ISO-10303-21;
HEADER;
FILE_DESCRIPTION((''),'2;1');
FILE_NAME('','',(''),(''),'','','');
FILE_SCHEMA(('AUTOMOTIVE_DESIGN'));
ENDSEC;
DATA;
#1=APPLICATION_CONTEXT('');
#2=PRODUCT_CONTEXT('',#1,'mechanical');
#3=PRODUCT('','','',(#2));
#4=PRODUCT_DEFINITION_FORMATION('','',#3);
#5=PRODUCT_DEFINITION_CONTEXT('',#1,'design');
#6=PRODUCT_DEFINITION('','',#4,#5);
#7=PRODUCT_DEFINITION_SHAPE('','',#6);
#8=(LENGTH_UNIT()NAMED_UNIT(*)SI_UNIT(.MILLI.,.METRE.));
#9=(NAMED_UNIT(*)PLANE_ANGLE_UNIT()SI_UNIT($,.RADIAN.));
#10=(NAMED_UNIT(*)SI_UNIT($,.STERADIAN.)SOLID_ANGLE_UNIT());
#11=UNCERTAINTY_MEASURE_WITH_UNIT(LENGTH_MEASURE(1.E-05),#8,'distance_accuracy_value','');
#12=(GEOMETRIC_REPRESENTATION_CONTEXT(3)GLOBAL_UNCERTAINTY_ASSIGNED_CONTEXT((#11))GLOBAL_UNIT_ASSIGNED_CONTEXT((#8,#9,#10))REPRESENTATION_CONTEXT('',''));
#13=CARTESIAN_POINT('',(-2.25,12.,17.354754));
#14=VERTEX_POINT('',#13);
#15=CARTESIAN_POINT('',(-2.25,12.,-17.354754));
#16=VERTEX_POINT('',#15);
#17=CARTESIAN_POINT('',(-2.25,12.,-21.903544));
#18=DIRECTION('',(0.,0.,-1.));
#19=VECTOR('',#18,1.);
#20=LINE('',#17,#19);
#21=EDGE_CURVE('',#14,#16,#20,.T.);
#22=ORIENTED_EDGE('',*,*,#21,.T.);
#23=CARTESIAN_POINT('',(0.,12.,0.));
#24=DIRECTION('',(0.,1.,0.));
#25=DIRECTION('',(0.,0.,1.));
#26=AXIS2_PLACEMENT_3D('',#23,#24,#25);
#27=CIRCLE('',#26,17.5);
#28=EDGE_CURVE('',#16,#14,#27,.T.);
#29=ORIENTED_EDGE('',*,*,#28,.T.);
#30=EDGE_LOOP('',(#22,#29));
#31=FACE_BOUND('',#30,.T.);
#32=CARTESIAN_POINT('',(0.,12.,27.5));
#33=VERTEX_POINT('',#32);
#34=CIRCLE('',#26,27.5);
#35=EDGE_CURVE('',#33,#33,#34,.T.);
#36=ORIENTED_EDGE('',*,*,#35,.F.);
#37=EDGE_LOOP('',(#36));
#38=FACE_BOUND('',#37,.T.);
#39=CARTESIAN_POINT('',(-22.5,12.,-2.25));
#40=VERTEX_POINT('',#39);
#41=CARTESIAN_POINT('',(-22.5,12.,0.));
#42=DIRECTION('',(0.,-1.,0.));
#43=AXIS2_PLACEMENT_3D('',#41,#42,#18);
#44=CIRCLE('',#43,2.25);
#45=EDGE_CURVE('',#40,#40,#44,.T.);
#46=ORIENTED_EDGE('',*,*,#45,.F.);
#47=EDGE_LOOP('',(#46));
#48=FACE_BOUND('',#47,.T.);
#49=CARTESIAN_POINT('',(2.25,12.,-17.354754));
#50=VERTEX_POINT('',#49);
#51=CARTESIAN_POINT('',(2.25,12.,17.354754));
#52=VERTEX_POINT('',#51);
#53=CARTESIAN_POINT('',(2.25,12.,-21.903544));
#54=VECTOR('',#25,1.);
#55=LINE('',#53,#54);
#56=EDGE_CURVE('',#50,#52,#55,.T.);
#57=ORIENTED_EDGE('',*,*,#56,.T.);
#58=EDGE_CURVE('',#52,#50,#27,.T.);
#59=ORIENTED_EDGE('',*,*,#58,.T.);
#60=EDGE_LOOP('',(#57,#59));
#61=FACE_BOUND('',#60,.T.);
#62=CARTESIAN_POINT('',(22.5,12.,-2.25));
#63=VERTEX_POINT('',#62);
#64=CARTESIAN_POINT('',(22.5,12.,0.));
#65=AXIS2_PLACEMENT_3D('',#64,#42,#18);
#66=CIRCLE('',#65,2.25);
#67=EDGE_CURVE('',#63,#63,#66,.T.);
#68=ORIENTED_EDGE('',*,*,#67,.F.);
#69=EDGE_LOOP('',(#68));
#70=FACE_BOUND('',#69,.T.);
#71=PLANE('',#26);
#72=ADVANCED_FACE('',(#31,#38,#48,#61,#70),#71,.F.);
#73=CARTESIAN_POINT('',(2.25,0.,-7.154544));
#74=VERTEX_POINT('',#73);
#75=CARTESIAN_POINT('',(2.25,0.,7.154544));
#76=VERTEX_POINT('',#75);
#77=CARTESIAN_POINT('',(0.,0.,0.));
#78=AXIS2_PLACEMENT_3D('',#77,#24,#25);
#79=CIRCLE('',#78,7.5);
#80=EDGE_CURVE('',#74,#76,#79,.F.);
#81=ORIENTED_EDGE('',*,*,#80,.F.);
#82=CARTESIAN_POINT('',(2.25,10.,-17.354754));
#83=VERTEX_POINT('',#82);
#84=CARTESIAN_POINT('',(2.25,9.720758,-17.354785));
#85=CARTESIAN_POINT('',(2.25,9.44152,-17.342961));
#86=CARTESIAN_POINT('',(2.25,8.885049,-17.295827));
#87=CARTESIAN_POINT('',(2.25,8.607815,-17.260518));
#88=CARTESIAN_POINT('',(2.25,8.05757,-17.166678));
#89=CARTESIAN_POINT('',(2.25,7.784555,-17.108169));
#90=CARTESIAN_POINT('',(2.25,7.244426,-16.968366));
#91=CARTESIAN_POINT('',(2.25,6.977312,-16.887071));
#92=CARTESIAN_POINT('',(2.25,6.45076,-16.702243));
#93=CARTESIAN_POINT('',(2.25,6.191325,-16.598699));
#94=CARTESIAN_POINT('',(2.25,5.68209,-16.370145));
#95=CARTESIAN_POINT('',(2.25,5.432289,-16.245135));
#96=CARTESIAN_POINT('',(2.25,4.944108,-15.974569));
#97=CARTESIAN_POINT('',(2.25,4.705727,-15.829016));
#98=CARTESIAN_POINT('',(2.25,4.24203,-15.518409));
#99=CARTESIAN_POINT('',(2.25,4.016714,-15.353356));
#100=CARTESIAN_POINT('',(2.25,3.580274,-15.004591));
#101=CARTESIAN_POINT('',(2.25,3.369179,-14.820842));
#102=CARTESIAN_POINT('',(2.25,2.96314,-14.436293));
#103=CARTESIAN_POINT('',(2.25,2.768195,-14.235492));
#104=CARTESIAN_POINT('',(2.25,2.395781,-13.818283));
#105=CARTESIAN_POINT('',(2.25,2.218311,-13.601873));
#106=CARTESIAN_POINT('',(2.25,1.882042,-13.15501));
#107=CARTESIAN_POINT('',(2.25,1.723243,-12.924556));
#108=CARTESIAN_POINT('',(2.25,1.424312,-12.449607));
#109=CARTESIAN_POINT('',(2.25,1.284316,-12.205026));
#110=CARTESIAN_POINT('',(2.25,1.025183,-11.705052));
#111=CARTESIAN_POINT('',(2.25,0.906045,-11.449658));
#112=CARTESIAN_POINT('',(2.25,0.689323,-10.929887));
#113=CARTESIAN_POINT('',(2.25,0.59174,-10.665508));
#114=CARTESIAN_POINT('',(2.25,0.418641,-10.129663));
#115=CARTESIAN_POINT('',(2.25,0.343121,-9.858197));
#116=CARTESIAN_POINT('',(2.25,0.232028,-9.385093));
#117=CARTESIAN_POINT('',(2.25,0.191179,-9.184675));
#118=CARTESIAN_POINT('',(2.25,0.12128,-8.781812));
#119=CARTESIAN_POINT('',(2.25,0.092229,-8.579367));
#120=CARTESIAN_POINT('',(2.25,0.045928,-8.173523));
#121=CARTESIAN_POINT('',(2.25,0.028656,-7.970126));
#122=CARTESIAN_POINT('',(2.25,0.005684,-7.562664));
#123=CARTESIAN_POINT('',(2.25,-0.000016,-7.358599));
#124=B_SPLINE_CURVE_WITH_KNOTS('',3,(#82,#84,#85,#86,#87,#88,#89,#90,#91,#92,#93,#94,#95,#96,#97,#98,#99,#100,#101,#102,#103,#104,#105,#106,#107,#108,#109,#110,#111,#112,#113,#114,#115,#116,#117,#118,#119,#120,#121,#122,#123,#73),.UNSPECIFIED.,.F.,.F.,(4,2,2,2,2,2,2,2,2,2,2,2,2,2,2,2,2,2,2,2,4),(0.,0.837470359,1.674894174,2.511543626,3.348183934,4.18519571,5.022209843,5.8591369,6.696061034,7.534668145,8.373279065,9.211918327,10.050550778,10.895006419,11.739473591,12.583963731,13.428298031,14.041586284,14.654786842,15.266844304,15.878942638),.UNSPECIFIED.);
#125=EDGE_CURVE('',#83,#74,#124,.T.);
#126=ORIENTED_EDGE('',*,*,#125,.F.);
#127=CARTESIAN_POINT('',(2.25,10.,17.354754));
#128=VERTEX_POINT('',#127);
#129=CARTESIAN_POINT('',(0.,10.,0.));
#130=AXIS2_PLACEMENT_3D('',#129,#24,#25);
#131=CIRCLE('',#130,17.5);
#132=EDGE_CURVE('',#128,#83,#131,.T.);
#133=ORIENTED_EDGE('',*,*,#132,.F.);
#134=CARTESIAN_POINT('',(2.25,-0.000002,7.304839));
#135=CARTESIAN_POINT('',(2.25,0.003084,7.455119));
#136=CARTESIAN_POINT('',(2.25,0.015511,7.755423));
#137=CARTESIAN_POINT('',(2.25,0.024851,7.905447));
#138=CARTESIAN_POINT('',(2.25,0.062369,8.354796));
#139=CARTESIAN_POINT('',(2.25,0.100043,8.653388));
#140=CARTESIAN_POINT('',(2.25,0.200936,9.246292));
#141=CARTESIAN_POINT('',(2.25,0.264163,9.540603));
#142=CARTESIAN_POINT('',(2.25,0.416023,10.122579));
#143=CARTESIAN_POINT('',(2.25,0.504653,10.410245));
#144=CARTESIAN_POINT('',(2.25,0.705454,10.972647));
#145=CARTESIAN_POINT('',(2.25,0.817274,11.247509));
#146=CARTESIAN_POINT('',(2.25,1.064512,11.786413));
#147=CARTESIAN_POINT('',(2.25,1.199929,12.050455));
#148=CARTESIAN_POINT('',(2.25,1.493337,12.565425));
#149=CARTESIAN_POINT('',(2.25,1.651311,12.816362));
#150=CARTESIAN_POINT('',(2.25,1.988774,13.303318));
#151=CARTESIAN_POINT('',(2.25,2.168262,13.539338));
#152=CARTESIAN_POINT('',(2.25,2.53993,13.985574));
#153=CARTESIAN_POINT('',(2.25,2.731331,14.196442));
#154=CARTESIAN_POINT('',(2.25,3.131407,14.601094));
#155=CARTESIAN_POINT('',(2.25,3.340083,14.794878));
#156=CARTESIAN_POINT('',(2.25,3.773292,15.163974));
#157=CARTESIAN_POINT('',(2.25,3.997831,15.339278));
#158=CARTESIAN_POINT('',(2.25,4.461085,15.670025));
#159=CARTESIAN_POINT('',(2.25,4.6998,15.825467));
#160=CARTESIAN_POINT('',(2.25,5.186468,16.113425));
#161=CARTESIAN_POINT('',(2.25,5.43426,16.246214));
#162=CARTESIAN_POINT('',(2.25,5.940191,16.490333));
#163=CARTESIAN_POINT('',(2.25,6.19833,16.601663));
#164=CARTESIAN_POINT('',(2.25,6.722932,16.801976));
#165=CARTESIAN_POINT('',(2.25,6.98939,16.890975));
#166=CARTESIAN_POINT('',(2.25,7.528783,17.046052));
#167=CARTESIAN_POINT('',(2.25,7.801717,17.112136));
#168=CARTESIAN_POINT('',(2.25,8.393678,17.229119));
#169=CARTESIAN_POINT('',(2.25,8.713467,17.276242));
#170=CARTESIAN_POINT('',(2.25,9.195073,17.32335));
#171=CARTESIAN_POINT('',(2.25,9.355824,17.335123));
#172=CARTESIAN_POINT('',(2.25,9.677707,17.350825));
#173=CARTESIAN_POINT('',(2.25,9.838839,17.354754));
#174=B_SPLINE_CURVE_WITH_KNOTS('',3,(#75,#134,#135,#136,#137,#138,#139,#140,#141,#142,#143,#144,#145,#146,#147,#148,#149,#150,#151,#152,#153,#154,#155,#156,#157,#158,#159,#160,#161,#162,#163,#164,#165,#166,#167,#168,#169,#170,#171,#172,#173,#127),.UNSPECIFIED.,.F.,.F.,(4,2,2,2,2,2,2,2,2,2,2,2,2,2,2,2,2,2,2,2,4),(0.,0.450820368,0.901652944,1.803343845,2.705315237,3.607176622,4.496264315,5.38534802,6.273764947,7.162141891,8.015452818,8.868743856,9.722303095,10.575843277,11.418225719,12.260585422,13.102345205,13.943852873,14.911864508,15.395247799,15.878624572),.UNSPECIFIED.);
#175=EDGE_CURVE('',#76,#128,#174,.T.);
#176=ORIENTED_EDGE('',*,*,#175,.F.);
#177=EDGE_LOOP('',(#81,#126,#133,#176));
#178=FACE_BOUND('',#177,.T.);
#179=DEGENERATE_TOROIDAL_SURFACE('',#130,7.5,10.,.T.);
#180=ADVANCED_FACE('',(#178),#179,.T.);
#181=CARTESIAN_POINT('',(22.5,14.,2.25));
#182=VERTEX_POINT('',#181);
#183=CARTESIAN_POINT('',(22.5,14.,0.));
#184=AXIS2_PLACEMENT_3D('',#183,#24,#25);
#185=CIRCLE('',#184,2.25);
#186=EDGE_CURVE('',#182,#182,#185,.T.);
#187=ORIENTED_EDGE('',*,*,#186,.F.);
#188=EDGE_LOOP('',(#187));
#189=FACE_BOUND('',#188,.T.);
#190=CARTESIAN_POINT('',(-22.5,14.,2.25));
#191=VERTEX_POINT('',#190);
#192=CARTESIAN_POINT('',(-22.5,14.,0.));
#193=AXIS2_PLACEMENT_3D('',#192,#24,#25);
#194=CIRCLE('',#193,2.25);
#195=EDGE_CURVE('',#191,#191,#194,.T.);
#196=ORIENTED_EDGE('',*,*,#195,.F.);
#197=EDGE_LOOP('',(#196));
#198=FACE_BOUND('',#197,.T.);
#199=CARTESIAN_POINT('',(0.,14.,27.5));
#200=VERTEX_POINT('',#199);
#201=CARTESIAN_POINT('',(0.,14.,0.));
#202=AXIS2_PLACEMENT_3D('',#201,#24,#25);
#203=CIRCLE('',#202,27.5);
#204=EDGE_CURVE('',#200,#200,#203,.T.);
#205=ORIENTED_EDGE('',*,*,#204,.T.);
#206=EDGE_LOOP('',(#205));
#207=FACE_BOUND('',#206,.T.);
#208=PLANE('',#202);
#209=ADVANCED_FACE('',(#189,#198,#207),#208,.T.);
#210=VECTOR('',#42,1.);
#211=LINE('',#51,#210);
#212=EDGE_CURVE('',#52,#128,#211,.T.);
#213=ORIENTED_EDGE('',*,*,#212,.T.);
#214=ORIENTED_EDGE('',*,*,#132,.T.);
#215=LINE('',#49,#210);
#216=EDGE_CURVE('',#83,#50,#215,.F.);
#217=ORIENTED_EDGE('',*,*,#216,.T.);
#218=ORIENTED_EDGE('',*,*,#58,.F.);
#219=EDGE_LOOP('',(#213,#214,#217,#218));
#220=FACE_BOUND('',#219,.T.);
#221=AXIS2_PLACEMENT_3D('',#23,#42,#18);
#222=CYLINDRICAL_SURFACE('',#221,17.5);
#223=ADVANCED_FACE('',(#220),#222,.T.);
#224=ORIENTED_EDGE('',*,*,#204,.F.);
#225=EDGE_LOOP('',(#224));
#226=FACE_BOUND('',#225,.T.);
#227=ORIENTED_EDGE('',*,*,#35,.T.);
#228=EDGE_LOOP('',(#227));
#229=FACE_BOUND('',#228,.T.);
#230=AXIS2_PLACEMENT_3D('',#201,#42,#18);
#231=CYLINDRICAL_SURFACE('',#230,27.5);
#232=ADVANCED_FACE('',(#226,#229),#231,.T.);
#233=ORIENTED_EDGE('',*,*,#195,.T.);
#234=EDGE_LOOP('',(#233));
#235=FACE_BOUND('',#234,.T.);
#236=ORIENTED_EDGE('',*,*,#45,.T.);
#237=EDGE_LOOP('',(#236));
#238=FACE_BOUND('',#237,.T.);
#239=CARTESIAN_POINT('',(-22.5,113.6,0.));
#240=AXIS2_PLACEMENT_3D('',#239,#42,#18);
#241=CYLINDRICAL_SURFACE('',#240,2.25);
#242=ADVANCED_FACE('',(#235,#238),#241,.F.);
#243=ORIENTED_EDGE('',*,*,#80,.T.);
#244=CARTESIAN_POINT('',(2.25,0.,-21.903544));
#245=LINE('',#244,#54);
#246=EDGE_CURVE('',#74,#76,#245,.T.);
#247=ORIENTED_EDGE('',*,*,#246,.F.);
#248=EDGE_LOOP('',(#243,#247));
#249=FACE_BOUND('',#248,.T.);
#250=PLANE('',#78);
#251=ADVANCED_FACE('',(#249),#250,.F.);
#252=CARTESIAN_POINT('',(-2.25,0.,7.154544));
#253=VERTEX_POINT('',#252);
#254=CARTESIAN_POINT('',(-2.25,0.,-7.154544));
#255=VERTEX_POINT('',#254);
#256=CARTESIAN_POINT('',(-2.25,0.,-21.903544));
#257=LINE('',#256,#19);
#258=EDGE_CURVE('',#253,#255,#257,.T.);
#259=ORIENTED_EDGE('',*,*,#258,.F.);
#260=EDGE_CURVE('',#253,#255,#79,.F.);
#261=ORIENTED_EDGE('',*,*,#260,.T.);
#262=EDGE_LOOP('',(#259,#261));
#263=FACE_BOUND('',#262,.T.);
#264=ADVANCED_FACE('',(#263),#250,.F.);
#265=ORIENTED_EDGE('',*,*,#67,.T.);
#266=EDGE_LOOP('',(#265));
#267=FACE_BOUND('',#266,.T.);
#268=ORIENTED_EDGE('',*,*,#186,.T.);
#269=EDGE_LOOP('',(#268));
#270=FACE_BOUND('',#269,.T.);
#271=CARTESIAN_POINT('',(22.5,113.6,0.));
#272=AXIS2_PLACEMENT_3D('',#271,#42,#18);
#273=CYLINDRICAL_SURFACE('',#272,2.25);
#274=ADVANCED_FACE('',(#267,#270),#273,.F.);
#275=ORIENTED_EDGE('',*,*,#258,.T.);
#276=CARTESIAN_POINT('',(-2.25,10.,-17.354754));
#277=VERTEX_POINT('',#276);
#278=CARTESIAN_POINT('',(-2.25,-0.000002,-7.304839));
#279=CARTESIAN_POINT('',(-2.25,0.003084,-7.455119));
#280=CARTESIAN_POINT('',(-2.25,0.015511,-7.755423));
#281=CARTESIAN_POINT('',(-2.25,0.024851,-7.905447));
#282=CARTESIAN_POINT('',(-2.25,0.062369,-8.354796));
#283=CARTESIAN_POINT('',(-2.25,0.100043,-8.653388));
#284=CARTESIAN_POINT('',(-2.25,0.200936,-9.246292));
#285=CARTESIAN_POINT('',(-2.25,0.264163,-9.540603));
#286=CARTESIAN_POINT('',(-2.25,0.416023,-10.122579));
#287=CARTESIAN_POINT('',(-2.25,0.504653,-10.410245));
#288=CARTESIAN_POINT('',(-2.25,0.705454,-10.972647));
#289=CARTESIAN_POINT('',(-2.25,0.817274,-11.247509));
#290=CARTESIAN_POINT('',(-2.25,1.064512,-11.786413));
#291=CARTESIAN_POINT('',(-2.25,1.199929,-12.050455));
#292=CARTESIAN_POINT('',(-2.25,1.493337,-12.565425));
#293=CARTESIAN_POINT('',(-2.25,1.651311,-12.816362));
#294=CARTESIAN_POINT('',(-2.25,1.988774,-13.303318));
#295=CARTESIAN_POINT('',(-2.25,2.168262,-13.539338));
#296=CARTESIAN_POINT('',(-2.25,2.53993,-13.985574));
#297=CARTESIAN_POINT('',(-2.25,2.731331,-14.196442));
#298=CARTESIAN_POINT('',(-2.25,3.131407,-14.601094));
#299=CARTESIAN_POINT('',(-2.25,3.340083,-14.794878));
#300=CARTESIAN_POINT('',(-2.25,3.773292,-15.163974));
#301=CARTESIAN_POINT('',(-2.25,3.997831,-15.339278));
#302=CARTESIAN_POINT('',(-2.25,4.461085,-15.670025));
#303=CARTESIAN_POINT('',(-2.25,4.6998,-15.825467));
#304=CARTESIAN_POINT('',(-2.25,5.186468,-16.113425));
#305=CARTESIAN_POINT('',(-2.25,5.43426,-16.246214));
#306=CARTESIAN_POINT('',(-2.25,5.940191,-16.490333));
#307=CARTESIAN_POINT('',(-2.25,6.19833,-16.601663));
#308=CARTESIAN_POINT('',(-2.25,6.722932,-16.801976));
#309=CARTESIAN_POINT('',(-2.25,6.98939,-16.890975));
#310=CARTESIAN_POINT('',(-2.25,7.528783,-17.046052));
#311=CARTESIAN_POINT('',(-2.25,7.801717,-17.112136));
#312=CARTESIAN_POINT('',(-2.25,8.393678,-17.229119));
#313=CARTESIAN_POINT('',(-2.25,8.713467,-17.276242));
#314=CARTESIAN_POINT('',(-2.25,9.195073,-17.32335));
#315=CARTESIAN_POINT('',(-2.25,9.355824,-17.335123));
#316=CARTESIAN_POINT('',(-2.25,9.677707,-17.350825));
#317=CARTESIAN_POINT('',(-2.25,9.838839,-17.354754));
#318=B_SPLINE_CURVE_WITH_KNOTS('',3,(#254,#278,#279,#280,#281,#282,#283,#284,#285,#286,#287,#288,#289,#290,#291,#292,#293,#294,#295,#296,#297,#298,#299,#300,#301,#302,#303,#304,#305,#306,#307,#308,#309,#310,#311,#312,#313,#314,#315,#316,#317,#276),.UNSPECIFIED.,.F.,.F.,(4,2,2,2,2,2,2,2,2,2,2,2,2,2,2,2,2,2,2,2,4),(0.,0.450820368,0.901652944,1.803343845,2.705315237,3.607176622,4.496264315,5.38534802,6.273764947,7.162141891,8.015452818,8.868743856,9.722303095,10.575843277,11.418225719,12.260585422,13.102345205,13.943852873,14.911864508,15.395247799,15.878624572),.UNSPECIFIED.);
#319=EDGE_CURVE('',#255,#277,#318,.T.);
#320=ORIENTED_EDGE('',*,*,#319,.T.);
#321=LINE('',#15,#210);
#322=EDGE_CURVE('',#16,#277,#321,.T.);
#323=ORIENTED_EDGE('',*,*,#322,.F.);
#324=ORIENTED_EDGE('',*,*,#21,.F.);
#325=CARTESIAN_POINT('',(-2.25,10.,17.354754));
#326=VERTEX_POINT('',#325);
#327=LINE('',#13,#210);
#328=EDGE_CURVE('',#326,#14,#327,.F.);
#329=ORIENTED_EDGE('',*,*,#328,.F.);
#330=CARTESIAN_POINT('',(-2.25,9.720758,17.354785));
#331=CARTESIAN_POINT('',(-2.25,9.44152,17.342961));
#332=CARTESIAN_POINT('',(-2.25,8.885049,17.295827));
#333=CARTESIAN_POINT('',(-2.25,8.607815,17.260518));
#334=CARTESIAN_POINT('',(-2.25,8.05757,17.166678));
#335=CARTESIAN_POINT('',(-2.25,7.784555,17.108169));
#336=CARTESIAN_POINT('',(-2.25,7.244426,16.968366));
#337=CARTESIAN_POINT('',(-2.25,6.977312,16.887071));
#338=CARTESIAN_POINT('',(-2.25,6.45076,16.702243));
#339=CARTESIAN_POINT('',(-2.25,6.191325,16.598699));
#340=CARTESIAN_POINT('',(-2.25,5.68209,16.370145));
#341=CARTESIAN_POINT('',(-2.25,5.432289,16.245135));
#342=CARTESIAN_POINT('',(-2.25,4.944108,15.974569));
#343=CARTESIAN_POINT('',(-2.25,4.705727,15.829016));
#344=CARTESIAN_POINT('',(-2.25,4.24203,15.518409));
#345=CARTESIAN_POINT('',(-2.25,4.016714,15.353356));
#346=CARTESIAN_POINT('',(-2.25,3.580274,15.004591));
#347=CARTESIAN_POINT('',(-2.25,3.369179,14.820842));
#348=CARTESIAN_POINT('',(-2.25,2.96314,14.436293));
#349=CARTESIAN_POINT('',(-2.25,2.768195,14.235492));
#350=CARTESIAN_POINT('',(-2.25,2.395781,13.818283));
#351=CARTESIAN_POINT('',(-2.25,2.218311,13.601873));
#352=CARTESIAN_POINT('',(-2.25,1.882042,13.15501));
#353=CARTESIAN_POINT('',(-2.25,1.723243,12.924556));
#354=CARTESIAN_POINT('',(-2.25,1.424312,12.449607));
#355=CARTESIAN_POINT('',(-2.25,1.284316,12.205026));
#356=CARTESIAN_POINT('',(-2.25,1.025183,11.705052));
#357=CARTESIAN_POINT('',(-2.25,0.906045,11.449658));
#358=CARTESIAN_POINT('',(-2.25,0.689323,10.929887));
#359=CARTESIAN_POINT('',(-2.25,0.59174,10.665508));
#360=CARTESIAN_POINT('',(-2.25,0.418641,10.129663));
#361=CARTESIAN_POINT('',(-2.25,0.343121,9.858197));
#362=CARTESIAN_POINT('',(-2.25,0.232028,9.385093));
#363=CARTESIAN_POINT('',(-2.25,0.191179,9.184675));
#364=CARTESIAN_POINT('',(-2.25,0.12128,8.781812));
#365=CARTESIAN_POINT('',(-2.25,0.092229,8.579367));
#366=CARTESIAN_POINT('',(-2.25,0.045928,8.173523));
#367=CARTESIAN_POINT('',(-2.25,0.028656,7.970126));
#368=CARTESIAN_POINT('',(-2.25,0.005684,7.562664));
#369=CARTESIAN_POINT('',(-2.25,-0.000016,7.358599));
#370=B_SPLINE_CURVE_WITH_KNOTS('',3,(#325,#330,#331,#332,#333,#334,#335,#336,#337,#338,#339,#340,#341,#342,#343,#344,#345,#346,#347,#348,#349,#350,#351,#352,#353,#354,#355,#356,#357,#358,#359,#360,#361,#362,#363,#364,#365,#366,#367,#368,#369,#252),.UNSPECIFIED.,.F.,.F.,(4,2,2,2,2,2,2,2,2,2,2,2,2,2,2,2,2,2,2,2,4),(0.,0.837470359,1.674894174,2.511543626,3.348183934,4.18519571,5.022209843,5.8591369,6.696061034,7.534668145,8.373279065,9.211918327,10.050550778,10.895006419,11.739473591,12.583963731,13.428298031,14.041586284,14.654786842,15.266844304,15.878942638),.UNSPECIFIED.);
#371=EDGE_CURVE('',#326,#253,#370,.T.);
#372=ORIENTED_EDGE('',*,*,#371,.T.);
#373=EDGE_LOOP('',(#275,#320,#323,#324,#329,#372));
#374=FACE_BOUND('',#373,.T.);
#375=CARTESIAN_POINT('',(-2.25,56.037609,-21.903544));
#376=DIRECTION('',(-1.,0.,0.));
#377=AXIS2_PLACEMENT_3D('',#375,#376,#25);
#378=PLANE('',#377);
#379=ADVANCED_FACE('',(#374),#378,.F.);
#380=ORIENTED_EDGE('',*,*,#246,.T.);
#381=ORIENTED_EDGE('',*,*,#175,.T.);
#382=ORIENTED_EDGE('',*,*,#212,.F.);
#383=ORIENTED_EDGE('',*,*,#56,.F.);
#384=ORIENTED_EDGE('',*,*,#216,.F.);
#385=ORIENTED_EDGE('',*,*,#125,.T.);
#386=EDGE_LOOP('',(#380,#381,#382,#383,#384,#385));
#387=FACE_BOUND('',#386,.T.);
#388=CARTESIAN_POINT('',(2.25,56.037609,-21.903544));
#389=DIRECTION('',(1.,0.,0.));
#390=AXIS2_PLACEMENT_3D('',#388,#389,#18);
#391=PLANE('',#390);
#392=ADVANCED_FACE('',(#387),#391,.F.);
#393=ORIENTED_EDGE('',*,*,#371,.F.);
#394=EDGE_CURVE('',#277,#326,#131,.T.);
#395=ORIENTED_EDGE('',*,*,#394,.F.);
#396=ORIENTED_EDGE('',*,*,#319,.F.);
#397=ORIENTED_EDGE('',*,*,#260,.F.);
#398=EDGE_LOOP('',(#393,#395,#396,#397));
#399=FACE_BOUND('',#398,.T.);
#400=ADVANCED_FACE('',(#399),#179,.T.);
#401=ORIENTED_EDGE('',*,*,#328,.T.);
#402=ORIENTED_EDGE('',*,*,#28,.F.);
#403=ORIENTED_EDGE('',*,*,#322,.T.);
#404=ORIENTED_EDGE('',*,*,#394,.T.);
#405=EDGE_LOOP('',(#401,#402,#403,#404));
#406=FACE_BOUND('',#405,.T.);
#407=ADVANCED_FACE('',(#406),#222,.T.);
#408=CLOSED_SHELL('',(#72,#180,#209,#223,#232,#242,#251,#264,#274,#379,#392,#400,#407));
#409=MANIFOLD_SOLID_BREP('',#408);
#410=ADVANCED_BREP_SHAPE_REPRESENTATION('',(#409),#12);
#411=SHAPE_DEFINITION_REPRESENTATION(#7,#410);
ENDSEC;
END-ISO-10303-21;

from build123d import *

# Parameters (mm, degrees)
SKETCH1_R           = 17.5
BOSS_EXTRUDE1_DEPTH = 12
SKETCH2_R           = 27.5
BOSS_EXTRUDE2_DEPTH = 2
SKETCH3_W           = 4.5
SKETCH3_H           = 43.807088702
CUT_EXTRUDE2_DEPTH  = 12
FILLET1_R           = 10
SKETCH4_R           = 2.25
CUT_EXTRUDE3_DEPTH  = 101.6


with BuildPart() as part:
    # Sketch1 → Boss-Extrude1 (new body)
    with BuildSketch(Plane(origin=(0, 0, 0), x_dir=(1, 0, 0), z_dir=(0, 1, 0))):
        with Locations(Location((0, 0, 0), (0, 0, 270))):
            Circle(SKETCH1_R)
    extrude(amount=BOSS_EXTRUDE1_DEPTH)

    # Sketch2 → Boss-Extrude2 (add)
    with BuildSketch(Plane(origin=(0, 12, 0), x_dir=(1, 0, 0), z_dir=(0, 1, 0))):
        with Locations(Location((0, 0, 0), (0, 0, 270))):
            Circle(SKETCH2_R)
    extrude(amount=BOSS_EXTRUDE2_DEPTH)

    # Sketch3 → Cut-Extrude2 (cut)
    with BuildSketch(Plane(origin=(0, 0, 0), x_dir=(-1, 0, 0), z_dir=(0, -1, 0))):
        Rectangle(SKETCH3_W, SKETCH3_H)
    extrude(amount=-CUT_EXTRUDE2_DEPTH, mode=Mode.SUBTRACT)

    # Fillet1
    fillet1_edges = [part.edges().sort_by_distance(p)[0] for p in [
        (-17.5, 0, 0),
        (17.5, 0, 0),
    ]]
    fillet(fillet1_edges, radius=FILLET1_R)

    # Sketch4 → Cut-Extrude3 (cut)
    with BuildSketch(Plane(origin=(0, 12, 0), x_dir=(-1, 0, 0), z_dir=(0, -1, 0))):
        with Locations(Location((-22.5, 0, 0), (0, 0, 90))):
            Circle(SKETCH4_R)
        with Locations(Location((22.5, 0, 0), (0, 0, 90))):
            Circle(SKETCH4_R)
    extrude(amount=-CUT_EXTRUDE3_DEPTH, mode=Mode.SUBTRACT)


solid = part.part
